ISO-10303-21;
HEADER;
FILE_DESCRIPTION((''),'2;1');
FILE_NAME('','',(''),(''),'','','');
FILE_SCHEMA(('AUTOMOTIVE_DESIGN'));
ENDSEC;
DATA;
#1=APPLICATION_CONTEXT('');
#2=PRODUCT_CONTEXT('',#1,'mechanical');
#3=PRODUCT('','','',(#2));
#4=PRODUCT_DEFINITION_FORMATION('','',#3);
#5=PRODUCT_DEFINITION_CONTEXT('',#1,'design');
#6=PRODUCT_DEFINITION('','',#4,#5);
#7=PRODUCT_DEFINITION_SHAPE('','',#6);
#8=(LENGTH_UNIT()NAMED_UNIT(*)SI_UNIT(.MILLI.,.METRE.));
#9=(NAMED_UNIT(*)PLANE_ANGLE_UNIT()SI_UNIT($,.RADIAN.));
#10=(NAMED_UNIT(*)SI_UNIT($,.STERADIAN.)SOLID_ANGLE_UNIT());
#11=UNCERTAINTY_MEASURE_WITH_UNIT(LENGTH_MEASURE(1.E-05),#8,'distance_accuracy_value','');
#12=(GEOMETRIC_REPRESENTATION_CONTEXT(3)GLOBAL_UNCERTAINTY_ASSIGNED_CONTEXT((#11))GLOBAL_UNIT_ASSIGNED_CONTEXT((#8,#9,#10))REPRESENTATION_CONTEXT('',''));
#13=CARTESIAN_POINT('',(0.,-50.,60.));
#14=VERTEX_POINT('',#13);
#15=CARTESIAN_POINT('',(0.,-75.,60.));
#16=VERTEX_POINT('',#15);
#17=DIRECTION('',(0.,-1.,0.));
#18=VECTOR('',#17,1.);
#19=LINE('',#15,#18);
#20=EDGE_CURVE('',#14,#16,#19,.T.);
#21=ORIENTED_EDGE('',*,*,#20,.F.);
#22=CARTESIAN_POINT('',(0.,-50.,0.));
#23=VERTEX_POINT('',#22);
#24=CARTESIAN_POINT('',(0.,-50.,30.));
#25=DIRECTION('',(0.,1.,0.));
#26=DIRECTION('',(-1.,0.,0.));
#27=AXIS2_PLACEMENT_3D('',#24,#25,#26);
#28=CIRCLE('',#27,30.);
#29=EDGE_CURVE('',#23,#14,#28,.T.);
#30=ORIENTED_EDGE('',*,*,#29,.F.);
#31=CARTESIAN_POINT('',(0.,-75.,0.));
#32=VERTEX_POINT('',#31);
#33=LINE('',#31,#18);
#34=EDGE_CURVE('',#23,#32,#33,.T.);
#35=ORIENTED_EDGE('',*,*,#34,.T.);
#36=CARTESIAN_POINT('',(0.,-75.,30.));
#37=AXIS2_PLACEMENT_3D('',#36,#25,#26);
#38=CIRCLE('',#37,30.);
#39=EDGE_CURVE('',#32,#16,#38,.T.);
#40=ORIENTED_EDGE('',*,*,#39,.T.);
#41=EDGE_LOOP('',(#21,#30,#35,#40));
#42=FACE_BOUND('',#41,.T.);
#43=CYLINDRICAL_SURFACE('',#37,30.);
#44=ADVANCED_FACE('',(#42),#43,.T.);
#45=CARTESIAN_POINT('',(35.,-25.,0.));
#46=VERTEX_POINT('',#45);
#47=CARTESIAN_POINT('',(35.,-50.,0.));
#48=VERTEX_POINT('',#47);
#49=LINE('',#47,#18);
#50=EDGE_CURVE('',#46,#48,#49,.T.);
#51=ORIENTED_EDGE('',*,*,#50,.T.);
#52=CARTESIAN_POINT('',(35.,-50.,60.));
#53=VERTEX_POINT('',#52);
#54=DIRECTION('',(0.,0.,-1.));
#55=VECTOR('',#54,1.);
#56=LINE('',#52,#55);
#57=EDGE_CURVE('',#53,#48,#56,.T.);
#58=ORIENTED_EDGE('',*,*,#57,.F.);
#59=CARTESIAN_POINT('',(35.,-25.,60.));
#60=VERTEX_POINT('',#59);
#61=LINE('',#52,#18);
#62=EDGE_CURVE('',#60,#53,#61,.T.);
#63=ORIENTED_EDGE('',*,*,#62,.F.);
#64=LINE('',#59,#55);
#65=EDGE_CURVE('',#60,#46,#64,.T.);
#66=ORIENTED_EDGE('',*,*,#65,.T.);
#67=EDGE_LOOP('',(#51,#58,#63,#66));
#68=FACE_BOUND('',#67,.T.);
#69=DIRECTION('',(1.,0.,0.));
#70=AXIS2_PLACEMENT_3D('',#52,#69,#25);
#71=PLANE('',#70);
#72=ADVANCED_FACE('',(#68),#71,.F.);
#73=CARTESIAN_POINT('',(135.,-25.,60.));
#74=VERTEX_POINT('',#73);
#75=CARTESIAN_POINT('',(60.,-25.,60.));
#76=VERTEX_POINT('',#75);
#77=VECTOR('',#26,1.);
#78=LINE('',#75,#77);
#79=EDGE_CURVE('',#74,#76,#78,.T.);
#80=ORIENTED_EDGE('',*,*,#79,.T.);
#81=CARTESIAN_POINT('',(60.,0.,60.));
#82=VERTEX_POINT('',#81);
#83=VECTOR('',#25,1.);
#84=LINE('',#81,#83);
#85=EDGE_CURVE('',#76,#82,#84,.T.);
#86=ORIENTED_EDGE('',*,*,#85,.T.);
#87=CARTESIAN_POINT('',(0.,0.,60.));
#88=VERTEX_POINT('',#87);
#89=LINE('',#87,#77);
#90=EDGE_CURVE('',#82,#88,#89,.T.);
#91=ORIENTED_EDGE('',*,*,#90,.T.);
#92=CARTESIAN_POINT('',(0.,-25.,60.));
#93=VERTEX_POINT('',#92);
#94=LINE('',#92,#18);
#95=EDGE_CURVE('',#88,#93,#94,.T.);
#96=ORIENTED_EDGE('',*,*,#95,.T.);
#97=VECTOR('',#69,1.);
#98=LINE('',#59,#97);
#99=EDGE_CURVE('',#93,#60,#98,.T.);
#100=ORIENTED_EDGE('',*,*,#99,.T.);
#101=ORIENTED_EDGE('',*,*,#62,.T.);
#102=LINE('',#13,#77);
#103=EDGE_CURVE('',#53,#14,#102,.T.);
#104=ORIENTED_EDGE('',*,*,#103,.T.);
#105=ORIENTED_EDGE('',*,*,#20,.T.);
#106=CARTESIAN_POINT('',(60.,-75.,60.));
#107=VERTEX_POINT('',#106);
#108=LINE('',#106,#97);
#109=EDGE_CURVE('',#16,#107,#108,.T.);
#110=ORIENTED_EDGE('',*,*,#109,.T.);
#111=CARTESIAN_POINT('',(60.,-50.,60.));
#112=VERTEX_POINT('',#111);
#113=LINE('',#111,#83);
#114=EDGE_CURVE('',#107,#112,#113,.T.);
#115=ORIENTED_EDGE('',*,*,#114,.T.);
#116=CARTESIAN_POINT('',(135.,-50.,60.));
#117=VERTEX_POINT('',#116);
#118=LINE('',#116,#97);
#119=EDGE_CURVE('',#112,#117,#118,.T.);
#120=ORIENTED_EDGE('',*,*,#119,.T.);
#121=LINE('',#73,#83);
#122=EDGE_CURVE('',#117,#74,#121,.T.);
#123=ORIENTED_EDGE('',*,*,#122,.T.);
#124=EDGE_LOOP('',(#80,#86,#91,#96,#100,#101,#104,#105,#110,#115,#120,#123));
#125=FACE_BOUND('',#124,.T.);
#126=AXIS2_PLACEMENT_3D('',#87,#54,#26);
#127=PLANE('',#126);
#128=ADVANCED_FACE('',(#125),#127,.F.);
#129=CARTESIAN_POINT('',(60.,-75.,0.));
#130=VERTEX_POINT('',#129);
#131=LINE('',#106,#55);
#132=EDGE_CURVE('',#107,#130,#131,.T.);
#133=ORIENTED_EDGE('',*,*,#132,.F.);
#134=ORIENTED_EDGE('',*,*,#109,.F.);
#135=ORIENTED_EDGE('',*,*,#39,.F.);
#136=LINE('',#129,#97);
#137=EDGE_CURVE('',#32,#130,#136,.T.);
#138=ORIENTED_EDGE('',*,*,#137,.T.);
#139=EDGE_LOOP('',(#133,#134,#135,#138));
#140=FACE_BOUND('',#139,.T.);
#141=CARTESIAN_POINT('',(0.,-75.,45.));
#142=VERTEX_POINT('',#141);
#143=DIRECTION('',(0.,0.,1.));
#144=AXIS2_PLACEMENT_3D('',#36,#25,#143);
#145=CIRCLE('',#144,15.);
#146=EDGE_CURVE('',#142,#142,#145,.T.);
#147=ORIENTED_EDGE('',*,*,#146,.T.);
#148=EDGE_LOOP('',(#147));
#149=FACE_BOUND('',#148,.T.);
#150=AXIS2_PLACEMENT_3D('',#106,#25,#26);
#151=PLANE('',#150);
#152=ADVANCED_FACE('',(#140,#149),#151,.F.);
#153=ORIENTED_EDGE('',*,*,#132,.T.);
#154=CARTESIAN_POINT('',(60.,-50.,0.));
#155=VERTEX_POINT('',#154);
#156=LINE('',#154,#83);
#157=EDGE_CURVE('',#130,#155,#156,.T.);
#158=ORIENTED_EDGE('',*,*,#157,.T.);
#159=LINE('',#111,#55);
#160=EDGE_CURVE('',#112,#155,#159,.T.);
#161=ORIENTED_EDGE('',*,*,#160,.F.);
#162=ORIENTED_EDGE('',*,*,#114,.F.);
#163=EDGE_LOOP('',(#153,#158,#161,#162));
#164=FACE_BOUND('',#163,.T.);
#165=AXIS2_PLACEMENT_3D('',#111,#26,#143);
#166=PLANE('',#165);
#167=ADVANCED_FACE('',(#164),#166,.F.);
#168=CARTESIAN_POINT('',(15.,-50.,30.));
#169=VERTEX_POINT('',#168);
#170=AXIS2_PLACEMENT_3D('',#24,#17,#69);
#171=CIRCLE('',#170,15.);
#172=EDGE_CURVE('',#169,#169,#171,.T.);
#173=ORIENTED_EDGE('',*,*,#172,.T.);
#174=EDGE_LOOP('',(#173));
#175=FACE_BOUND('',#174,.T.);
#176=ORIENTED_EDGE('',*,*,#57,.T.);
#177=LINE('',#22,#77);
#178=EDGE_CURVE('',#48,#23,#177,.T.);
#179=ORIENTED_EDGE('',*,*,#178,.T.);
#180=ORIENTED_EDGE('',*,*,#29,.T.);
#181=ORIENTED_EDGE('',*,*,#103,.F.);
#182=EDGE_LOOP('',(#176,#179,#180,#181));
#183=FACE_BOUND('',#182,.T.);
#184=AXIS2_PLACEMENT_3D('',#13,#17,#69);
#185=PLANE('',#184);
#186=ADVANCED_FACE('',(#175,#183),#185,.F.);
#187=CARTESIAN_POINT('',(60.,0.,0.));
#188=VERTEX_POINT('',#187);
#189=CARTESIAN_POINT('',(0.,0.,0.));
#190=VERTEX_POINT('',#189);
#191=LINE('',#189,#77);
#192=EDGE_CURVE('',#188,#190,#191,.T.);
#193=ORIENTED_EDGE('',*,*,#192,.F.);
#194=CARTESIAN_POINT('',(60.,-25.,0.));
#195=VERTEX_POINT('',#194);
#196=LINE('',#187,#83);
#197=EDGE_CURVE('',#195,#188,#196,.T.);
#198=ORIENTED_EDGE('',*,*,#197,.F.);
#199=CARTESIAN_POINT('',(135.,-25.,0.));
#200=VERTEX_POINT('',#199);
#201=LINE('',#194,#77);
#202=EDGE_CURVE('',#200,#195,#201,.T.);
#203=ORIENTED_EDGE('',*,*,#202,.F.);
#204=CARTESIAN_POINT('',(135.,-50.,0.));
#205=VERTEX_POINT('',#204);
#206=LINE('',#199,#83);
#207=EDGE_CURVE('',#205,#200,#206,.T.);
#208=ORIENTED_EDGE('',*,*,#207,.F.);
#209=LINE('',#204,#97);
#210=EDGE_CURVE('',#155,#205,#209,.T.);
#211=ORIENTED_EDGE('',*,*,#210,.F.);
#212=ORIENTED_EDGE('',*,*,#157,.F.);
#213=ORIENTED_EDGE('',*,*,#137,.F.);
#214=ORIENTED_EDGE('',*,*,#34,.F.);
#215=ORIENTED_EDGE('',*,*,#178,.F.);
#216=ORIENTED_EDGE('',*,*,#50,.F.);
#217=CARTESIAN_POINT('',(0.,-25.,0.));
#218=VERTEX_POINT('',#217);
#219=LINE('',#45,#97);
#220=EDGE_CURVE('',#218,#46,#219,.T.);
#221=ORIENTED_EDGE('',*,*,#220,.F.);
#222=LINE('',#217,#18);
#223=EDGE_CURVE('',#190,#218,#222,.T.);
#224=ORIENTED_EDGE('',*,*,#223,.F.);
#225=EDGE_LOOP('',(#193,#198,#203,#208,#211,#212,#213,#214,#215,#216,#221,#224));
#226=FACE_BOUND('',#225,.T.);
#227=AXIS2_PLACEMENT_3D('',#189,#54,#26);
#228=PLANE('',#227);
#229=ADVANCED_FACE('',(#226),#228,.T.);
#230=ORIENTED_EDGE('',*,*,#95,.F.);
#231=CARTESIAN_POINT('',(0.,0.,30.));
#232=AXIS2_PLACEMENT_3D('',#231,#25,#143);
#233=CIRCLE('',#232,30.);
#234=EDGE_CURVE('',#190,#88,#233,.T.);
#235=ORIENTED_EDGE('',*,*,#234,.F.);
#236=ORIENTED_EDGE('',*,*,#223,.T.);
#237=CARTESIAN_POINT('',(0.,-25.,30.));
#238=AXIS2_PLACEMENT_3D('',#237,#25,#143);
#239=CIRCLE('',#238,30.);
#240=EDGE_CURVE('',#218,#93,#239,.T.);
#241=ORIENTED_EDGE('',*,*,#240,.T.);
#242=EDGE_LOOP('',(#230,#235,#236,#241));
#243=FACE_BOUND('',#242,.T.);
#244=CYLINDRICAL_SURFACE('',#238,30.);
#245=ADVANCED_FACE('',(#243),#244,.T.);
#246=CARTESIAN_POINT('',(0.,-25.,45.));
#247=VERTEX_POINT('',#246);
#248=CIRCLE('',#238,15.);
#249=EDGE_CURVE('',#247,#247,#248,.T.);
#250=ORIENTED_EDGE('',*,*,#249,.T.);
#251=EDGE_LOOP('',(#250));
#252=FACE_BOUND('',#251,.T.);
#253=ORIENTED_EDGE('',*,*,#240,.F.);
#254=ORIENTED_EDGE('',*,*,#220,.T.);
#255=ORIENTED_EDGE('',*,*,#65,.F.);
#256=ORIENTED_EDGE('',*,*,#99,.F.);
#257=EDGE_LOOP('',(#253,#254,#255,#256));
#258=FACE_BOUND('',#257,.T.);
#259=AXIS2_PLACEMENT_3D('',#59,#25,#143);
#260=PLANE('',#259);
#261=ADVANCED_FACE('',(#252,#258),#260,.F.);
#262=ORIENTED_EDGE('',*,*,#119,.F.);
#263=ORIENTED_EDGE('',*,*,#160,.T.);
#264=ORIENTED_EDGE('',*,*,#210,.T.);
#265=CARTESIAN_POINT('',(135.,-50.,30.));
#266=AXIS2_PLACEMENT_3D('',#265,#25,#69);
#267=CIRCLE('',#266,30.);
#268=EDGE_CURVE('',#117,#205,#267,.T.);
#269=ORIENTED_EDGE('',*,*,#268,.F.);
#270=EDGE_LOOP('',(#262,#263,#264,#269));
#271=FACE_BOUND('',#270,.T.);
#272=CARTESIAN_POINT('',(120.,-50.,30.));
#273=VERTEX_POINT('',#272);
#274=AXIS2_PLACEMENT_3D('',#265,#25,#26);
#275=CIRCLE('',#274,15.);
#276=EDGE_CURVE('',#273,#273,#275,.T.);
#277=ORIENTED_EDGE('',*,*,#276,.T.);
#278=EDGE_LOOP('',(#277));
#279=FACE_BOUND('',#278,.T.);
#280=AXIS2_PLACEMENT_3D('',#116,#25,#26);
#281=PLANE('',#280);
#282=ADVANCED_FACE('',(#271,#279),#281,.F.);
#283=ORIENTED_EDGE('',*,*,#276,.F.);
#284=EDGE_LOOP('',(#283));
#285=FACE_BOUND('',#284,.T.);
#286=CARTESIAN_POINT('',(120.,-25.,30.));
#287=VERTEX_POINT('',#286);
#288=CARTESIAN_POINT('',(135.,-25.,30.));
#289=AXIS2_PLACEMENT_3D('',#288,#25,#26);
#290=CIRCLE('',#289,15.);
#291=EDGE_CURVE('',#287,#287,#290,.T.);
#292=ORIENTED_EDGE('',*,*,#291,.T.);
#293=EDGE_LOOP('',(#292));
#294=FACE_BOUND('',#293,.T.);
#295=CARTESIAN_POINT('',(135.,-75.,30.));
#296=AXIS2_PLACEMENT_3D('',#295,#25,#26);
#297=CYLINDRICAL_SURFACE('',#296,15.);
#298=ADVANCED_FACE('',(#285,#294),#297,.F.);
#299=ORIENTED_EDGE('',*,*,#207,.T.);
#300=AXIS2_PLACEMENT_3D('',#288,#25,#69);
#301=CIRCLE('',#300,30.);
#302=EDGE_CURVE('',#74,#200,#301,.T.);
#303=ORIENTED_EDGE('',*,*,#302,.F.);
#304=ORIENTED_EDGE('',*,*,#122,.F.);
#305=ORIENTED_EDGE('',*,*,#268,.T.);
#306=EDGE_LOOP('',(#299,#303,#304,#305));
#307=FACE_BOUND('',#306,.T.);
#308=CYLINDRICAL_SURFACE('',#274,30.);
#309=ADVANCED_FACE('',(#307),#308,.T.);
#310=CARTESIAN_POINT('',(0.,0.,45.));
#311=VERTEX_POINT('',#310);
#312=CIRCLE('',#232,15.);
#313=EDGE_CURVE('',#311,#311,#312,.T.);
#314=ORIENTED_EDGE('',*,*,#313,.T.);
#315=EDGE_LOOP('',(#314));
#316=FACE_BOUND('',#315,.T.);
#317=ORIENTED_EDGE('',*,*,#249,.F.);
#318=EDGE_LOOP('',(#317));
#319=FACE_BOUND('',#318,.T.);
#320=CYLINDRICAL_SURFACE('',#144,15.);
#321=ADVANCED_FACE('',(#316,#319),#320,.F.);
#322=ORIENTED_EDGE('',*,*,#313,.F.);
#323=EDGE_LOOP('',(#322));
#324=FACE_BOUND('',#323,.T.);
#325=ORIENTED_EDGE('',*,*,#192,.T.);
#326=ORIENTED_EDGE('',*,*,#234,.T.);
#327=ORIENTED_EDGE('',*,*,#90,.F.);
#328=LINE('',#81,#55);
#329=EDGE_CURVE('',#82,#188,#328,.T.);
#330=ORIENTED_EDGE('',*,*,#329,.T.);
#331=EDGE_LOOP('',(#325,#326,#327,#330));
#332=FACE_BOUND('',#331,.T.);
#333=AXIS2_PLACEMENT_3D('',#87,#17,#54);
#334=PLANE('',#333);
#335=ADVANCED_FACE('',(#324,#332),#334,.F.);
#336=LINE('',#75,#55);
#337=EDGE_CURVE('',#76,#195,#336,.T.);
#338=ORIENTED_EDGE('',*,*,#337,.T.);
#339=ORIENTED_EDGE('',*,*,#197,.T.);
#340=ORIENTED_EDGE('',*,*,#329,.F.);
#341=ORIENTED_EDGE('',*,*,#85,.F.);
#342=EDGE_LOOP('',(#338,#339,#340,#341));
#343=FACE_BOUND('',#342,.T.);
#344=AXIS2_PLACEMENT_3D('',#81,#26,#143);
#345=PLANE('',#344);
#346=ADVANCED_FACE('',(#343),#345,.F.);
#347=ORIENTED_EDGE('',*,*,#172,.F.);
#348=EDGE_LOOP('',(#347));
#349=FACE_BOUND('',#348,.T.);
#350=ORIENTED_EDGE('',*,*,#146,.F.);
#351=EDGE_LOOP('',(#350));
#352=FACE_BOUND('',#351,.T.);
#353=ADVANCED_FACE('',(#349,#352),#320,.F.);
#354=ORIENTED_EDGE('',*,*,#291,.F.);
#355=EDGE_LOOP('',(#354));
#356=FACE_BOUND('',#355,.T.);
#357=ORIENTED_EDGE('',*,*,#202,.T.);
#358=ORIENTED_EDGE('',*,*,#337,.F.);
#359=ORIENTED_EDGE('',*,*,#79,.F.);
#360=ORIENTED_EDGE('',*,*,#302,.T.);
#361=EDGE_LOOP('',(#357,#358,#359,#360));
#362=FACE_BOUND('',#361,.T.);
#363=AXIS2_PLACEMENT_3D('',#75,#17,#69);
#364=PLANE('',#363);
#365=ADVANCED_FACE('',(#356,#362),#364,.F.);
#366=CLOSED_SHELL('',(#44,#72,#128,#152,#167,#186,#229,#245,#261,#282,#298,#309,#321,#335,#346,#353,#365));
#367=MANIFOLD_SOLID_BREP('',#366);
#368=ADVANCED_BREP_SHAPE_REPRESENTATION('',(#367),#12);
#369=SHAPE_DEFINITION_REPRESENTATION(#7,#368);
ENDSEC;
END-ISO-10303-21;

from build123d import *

# Parameters (mm, degrees)
BOSS_EXTRUDE1_DEPTH     = 60
BOSS_EXTRUDE2_DEPTH     = 25
BOSS_EXTRUDE3_DEPTH     = 25
BOSS_EXTRUDE4_DEPTH     = 25
CUT_EXTRUDE2_DEPTH      = 191.91883092
CUT_EXTRUDE2_DEPTH_BACK = 191.91883092
SKETCH6_R               = 15
CUT_EXTRUDE3_DEPTH      = 183.551362635
CUT_EXTRUDE3_DEPTH_BACK = 183.551362635
SKETCH7_R               = 15


with BuildPart() as part:
    # Sketch1 → Boss-Extrude1 (new body)
    with BuildSketch(Plane.XY):
        Polygon((0, 0), (60, 0), (60, -25), (135, -25), (135, -50), (60, -50), (60, -75), (0, -75), (0, -50), (35, -50), (35, -25), (0, -25), align=None)
    extrude(amount=BOSS_EXTRUDE1_DEPTH)

    # Sketch3 → Boss-Extrude2 (add)
    with BuildSketch(Plane(origin=(0, 0, 0), x_dir=(1, 0, 0), z_dir=(0, 1, 0))):
        with BuildLine():
            Line((0, 0), (0, -60))
            ThreePointArc((0, -60), (-30, -30), (0, 0))
        make_face()
    extrude(amount=-BOSS_EXTRUDE2_DEPTH)

    # Sketch4 → Boss-Extrude3 (add)
    with BuildSketch(Plane(origin=(0, -50, 0), x_dir=(1, 0, 0), z_dir=(0, 1, 0))):
        with BuildLine():
            Line((0, 0), (0, -60))
            ThreePointArc((0, -60), (-30, -30), (0, 0))
        make_face()
    extrude(amount=-BOSS_EXTRUDE3_DEPTH)

    # Sketch5 → Boss-Extrude4 (add)
    with BuildSketch(Plane(origin=(0, -25, 0), x_dir=(1, 0, 0), z_dir=(0, 1, 0))):
        with BuildLine():
            Line((135, 0), (135, -60))
            ThreePointArc((135, -60), (165, -30), (135, 0))
        make_face()
    extrude(amount=-BOSS_EXTRUDE4_DEPTH)

    # Sketch6 → Cut-Extrude2 (cut, two sides: drawn at the far end of the back side and taken through both)
    with BuildSketch(Plane(origin=(0, 0, 0), x_dir=(1, 0, 0), z_dir=(0, 1, 0)).offset(-CUT_EXTRUDE2_DEPTH_BACK)):
        with Locations(Location((0, -30, 0), (0, 0, 270))):
            Circle(SKETCH6_R)
    extrude(amount=CUT_EXTRUDE2_DEPTH + CUT_EXTRUDE2_DEPTH_BACK, mode=Mode.SUBTRACT)

    # Sketch7 → Cut-Extrude3 (cut, two sides: drawn at the far end of the back side and taken through both)
    with BuildSketch(Plane(origin=(0, -25, 0), x_dir=(1, 0, 0), z_dir=(0, 1, 0)).offset(-CUT_EXTRUDE3_DEPTH_BACK)):
        with Locations(Location((135, -30, 0), (0, 0, 180))):
            Circle(SKETCH7_R)
    extrude(amount=CUT_EXTRUDE3_DEPTH + CUT_EXTRUDE3_DEPTH_BACK, mode=Mode.SUBTRACT)


solid = part.part
